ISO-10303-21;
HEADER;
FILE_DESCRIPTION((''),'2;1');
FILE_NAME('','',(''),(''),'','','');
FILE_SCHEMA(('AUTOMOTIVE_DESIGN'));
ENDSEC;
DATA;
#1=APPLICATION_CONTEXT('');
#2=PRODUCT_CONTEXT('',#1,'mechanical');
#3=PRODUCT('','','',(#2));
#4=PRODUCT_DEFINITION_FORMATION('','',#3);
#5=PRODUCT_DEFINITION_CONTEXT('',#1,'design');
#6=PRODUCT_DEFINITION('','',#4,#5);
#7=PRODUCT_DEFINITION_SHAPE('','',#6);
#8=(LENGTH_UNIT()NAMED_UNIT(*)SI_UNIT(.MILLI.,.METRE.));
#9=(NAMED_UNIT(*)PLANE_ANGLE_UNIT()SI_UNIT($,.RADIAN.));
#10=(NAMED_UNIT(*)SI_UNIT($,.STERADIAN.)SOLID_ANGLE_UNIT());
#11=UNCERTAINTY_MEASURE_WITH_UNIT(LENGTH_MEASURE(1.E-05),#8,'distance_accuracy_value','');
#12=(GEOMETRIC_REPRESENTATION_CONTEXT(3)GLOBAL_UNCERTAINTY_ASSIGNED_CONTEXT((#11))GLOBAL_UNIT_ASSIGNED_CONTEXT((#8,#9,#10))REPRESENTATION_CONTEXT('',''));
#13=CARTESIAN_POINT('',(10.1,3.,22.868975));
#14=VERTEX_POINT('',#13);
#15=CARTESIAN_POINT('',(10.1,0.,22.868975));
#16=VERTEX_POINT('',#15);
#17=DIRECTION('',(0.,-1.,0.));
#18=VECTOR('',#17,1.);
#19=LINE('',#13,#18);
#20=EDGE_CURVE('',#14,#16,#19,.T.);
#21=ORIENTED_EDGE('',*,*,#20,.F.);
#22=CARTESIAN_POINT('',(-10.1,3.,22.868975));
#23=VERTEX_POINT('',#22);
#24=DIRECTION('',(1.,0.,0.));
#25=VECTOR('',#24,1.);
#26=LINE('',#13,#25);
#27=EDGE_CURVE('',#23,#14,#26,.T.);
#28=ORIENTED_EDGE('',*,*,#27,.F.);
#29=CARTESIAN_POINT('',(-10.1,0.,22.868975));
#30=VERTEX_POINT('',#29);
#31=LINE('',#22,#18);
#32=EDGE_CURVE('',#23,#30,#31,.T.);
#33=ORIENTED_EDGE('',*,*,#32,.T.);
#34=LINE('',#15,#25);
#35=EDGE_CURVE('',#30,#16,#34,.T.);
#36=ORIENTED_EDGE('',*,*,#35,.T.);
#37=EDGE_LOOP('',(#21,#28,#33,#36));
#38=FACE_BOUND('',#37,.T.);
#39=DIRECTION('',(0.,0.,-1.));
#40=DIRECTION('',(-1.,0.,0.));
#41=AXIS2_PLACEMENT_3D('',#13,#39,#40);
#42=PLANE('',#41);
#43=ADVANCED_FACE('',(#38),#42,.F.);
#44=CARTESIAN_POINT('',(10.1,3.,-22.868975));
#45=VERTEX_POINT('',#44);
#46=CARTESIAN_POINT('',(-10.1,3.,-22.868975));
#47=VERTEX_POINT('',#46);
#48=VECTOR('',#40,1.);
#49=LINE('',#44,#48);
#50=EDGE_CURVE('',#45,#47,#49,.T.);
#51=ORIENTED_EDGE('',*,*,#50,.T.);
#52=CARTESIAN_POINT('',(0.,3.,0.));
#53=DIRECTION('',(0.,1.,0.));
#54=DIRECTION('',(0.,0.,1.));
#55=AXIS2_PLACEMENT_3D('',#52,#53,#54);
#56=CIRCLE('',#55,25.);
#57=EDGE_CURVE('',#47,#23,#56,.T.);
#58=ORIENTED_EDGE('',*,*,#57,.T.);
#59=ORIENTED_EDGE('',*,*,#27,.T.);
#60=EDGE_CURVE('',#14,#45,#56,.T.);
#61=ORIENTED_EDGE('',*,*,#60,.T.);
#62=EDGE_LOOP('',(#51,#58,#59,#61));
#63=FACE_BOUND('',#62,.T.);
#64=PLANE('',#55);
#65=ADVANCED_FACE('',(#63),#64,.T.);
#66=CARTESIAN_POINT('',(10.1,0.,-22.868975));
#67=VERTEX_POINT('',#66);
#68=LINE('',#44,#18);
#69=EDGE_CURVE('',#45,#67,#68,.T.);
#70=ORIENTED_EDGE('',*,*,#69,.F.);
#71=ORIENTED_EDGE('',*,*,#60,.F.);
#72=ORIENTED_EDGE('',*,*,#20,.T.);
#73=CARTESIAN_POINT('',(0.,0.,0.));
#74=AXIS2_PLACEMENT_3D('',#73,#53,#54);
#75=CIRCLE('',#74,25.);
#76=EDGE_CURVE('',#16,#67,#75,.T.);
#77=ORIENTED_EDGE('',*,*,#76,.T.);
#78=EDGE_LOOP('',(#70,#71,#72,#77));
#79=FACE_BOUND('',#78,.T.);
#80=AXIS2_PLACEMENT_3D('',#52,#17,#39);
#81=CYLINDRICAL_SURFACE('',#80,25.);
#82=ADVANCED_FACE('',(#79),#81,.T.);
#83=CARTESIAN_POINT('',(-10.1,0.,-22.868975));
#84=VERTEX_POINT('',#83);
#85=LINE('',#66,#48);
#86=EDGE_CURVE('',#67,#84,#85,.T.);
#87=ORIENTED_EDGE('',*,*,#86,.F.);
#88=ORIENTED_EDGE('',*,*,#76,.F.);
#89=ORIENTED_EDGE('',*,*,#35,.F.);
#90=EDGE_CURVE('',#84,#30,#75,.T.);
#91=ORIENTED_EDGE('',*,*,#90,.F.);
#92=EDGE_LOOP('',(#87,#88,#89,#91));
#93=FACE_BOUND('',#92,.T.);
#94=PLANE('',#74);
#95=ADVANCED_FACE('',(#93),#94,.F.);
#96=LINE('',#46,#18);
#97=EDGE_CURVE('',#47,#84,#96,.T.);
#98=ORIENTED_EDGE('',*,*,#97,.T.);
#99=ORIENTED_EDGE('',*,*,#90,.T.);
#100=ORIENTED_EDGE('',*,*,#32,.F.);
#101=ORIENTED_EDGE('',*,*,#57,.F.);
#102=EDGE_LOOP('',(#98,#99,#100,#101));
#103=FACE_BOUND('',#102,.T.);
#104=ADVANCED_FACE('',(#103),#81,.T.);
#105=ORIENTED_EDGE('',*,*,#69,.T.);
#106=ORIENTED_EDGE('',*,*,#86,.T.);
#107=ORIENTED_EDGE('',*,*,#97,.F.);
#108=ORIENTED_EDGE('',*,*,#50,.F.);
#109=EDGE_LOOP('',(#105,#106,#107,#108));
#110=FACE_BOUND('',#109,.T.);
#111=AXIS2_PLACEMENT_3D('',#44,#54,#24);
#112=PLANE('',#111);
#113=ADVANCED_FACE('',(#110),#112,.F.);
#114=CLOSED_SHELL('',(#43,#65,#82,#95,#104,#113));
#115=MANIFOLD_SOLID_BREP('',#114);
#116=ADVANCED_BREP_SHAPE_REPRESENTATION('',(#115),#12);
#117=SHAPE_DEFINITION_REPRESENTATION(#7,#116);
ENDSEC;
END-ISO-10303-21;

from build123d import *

# Parameters (mm, degrees)
BOSS_EXTRUDE1_DEPTH = 3


with BuildPart() as part:
    # Sketch1 → Boss-Extrude1 (new body)
    with BuildSketch(Plane(origin=(0, 0, 0), x_dir=(1, 0, 0), z_dir=(0, 1, 0))):
        with BuildLine():
            Line((10.1, -22.868974616), (-10.1, -22.868974616))
            ThreePointArc((-10.1, -22.868974616), (-25, 0), (-10.1, 22.868974616))
            Line((-10.1, 22.868974616), (10.1, 22.868974616))
            ThreePointArc((10.1, 22.868974616), (25, 0), (10.1, -22.868974616))
        make_face()
    extrude(amount=BOSS_EXTRUDE1_DEPTH)


solid = part.part
